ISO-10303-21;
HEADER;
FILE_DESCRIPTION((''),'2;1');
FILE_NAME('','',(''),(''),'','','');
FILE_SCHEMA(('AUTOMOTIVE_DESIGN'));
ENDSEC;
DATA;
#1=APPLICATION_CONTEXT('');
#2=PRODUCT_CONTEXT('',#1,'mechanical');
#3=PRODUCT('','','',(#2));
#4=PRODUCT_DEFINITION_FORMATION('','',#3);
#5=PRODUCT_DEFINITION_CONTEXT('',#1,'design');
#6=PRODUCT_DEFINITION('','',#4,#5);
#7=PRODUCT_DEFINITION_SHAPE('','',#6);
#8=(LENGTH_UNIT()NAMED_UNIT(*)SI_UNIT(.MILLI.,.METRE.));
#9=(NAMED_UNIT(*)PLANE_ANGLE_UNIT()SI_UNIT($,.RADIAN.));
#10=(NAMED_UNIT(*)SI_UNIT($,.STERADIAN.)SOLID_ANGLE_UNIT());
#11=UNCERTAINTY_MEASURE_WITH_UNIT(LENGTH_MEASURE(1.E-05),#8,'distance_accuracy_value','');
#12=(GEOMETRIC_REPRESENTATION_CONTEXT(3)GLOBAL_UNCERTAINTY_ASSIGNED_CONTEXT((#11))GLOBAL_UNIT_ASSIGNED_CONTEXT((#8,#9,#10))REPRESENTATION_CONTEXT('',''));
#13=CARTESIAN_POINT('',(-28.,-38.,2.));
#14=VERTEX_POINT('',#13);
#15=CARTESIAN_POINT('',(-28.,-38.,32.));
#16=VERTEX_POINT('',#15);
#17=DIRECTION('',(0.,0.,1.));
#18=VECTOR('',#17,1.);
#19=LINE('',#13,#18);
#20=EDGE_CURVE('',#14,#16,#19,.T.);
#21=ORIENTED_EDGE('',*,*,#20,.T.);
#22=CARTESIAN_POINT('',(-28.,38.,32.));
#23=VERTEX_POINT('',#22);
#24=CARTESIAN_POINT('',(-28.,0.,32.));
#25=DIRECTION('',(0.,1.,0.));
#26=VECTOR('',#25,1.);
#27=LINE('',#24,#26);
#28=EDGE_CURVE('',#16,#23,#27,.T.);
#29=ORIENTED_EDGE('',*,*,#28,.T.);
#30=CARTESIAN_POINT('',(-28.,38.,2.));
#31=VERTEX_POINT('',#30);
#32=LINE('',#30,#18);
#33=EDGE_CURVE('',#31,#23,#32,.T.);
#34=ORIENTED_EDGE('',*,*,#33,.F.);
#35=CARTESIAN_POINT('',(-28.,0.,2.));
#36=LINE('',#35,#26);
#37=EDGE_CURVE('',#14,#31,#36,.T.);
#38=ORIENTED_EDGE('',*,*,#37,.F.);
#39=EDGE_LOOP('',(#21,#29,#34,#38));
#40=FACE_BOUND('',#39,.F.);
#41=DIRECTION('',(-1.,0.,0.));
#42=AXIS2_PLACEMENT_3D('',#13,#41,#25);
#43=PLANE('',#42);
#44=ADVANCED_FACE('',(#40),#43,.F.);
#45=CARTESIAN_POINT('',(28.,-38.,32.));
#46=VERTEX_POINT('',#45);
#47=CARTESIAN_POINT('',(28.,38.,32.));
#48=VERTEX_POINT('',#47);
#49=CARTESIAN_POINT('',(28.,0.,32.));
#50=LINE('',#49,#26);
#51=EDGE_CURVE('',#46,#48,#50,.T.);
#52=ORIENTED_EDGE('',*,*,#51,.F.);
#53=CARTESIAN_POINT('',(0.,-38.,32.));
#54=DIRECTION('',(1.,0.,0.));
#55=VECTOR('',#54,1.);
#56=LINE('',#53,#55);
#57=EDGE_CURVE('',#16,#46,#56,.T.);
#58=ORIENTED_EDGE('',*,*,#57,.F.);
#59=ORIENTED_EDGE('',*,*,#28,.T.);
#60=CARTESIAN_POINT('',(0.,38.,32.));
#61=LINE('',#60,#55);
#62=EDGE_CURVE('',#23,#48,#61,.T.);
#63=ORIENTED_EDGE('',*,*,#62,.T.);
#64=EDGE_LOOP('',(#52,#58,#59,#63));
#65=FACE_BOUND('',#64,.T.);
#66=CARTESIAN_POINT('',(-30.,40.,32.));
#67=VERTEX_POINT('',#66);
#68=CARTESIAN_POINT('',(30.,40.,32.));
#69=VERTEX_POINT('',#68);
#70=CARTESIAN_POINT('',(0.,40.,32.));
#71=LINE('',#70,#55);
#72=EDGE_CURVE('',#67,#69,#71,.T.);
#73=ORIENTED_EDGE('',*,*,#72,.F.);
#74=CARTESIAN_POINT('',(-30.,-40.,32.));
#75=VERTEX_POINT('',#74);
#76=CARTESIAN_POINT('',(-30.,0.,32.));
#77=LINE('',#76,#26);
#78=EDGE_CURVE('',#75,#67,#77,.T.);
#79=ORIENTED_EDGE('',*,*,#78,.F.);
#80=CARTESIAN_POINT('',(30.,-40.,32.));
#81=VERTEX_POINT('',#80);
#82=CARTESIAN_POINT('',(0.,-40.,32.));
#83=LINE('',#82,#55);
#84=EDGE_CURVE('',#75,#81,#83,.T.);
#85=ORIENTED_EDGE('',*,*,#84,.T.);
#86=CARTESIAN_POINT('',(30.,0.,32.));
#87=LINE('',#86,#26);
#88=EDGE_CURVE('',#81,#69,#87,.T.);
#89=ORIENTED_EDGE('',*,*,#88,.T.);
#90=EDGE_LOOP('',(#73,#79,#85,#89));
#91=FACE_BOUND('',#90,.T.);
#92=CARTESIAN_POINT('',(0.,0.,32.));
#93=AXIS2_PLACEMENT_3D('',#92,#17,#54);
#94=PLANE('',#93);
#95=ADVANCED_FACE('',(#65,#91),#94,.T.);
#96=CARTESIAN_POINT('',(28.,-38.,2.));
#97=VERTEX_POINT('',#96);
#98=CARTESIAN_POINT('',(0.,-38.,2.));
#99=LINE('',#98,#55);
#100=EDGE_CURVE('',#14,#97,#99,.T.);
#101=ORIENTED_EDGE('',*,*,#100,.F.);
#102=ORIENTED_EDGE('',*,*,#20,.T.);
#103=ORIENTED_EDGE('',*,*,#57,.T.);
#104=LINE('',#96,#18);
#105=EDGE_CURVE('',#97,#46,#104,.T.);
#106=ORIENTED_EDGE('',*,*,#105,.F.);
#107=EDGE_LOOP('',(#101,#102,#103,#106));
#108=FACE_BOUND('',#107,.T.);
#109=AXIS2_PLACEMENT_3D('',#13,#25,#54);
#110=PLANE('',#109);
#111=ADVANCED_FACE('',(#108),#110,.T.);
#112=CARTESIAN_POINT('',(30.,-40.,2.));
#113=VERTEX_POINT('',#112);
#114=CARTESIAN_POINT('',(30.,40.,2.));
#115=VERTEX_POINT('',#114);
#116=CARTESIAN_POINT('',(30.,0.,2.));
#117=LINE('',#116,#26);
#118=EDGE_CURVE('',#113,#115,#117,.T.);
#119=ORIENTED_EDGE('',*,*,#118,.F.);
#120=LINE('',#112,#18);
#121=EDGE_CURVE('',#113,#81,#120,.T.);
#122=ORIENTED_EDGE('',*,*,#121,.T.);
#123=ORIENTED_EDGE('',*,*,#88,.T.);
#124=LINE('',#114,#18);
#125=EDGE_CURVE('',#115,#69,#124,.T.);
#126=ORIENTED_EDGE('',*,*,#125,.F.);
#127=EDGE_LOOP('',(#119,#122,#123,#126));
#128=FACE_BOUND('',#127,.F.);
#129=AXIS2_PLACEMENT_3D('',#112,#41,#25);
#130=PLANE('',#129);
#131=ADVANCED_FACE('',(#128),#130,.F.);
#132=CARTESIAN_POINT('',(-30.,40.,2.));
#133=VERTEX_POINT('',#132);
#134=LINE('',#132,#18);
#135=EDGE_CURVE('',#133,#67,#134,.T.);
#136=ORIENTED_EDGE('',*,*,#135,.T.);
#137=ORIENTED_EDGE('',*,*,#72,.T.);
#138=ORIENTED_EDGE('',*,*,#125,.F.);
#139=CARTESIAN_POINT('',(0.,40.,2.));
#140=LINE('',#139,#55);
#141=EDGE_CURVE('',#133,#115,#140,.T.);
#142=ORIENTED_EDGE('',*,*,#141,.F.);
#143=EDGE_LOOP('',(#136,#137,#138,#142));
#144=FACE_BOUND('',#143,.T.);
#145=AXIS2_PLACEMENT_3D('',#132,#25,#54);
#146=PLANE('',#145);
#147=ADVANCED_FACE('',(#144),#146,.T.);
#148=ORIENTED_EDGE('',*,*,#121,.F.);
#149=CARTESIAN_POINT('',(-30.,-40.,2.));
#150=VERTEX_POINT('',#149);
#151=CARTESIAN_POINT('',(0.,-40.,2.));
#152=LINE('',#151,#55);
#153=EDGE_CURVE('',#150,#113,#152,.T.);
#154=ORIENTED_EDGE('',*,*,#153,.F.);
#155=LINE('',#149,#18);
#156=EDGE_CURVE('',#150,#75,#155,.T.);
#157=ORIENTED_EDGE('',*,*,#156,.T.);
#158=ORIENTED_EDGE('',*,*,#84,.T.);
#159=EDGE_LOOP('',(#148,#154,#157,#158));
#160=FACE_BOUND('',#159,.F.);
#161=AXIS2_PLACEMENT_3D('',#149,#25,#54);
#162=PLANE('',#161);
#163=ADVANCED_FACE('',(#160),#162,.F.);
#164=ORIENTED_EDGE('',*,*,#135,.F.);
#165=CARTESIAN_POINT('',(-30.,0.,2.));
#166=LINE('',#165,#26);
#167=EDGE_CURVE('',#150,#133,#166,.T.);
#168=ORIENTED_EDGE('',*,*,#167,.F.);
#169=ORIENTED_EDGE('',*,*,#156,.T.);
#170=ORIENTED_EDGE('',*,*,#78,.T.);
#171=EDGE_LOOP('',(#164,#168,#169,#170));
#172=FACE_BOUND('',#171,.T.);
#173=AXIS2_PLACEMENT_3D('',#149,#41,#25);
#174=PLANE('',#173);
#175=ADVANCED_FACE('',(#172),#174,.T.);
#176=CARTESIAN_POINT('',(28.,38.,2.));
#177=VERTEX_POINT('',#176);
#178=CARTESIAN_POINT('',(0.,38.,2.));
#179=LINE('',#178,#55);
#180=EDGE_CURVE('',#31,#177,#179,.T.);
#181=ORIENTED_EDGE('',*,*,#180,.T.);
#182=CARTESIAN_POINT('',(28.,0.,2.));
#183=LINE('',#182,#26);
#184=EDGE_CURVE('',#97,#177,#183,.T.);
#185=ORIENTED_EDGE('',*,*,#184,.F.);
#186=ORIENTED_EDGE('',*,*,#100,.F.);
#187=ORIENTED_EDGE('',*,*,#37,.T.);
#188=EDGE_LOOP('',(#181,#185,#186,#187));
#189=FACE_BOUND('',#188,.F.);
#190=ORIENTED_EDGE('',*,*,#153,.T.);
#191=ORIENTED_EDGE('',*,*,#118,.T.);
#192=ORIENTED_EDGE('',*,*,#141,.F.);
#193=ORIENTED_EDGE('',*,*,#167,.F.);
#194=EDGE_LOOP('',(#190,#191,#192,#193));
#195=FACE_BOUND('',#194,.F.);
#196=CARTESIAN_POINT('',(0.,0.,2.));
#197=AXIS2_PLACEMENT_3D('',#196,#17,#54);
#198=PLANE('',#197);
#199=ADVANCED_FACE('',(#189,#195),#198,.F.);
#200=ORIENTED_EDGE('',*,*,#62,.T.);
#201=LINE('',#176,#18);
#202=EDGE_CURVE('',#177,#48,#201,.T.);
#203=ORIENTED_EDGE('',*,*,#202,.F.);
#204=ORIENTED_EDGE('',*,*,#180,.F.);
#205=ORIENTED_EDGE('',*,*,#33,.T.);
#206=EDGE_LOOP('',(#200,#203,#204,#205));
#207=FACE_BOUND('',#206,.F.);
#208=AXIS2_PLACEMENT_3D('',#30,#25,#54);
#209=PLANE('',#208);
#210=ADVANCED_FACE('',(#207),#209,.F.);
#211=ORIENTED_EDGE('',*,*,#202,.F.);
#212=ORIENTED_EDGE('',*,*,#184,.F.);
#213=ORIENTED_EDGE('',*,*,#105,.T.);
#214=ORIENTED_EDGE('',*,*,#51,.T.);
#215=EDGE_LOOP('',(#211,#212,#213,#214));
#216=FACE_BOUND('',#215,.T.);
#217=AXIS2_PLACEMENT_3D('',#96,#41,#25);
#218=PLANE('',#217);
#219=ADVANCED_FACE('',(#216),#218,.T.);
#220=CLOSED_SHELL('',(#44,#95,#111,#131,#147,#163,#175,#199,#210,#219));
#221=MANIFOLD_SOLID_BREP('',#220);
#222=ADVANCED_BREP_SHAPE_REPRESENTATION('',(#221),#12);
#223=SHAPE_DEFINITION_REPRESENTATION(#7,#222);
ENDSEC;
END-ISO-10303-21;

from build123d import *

# Parameters (mm, degrees)
SKETCH001_W   = 60
SKETCH001_H   = 80
SKETCH001_W_2 = 56
SKETCH001_H_2 = 76
PAD_DEPTH     = 30


with BuildPart() as part:
    # Sketch001 → Pad (new body)
    with BuildSketch(Plane.XY.offset(2)):
        Rectangle(SKETCH001_W, SKETCH001_H)
        Rectangle(SKETCH001_W_2, SKETCH001_H_2, mode=Mode.SUBTRACT)
    extrude(amount=PAD_DEPTH)


solid = part.part
